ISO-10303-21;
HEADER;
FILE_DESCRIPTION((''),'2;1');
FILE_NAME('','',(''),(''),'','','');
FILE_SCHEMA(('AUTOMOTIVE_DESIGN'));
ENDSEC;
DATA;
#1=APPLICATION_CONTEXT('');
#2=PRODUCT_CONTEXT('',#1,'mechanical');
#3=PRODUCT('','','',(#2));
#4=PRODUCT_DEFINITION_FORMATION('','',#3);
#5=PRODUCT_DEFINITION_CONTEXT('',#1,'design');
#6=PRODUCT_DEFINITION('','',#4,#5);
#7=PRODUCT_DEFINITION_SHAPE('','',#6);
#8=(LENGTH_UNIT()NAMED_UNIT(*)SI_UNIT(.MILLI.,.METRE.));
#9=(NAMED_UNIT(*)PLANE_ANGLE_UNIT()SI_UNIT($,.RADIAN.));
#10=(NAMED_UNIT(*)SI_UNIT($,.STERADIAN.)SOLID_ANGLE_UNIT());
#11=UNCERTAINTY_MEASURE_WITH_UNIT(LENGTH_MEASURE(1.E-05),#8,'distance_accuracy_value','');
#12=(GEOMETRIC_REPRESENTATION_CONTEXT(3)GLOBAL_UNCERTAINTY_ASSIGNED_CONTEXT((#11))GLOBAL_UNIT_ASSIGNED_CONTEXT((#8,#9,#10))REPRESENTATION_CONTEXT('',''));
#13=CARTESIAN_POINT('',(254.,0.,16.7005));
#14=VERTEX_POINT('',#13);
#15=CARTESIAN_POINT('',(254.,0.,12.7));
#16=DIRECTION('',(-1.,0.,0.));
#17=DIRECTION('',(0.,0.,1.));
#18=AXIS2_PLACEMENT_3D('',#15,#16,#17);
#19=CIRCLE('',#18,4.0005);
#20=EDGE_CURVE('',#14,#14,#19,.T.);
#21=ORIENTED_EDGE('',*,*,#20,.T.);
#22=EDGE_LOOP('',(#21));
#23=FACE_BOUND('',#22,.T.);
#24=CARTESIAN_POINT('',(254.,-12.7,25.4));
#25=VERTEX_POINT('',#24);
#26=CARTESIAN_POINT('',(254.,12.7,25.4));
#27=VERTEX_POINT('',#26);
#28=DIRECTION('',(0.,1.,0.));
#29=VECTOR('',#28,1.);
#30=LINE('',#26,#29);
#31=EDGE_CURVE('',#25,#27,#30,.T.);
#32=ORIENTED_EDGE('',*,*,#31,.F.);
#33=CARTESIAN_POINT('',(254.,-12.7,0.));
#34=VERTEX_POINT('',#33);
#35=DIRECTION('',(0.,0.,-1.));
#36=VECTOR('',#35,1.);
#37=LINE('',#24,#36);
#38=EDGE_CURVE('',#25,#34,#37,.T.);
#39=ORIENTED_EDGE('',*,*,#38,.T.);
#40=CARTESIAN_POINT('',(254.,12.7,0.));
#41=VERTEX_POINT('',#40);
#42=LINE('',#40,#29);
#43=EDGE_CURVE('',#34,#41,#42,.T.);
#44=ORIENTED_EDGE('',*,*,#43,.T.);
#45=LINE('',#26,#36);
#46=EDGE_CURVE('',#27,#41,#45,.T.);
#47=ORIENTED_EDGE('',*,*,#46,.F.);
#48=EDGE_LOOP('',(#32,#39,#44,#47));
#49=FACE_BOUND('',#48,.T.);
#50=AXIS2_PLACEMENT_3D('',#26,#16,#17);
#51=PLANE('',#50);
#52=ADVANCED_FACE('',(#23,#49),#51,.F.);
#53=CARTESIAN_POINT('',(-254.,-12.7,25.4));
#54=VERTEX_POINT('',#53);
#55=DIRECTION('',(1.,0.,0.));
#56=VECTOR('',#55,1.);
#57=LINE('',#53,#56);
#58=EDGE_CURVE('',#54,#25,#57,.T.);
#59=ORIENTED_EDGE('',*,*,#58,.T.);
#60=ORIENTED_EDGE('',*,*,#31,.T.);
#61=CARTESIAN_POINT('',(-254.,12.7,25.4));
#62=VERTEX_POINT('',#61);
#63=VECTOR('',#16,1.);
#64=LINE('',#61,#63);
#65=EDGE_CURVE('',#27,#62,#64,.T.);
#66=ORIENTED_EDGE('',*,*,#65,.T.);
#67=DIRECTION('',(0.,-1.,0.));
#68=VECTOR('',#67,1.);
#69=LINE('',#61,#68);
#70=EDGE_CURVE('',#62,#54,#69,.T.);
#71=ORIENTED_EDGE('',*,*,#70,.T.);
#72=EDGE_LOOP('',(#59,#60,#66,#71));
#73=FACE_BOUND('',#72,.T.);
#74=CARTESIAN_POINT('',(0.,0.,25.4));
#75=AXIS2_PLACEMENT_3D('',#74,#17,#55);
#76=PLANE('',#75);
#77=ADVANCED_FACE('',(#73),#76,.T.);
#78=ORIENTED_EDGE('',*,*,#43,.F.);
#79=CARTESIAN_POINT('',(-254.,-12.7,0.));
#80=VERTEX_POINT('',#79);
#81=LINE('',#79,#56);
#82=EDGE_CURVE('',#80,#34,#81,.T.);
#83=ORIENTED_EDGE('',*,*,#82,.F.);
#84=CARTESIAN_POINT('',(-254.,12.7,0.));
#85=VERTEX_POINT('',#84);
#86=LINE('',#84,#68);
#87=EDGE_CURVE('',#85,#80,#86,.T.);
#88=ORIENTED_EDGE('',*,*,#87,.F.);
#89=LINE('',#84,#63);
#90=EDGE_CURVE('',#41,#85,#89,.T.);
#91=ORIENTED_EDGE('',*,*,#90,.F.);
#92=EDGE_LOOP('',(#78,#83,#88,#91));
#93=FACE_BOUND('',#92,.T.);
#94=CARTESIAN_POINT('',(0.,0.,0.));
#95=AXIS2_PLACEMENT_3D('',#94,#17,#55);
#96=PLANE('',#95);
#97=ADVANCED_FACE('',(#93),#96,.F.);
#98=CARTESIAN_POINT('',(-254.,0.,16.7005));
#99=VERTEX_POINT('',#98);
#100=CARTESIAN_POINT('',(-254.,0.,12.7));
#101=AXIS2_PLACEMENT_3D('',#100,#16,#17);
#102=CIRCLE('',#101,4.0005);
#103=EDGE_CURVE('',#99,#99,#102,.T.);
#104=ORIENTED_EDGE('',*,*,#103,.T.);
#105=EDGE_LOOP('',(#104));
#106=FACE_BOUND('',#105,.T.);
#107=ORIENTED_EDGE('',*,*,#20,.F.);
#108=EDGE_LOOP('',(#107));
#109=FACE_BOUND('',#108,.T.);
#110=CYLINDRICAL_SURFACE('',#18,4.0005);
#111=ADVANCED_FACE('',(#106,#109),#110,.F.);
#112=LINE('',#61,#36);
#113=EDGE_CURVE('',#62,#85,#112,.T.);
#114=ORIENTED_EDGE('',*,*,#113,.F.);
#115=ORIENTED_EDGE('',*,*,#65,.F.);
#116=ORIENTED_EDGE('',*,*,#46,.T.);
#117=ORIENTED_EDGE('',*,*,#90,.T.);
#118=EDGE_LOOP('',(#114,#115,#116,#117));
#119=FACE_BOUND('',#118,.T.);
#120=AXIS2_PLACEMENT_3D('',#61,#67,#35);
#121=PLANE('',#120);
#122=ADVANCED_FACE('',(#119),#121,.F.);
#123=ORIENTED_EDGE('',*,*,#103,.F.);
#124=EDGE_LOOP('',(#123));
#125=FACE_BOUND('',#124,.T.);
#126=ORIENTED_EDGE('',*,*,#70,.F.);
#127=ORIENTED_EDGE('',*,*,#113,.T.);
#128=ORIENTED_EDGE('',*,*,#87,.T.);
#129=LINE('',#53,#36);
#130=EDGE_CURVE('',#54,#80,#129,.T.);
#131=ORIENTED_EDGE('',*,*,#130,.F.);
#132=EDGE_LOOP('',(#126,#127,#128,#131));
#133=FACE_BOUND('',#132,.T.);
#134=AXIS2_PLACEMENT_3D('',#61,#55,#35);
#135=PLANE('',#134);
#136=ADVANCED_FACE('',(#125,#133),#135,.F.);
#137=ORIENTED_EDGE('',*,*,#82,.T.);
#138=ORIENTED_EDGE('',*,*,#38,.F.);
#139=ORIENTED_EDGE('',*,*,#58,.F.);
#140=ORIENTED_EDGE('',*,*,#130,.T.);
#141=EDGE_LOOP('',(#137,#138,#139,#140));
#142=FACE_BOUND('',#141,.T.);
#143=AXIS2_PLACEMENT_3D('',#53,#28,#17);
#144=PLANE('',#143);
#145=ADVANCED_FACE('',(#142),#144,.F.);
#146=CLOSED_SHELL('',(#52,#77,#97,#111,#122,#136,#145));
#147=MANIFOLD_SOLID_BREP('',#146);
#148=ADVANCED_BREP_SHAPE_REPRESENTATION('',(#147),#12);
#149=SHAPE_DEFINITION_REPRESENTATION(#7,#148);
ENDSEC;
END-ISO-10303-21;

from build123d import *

# Parameters (mm, degrees)
SKETCH1_W           = 508
SKETCH1_H           = 25.4
BOSS_EXTRUDE1_DEPTH = 25.4
SKETCH2_R           = 4.0005
CUT_EXTRUDE1_DEPTH  = 509.79313085


with BuildPart() as part:
    # Sketch1 → Boss-Extrude1 (new body)
    with BuildSketch(Plane.XY):
        Rectangle(SKETCH1_W, SKETCH1_H)
    extrude(amount=BOSS_EXTRUDE1_DEPTH)

    # Sketch2 → Cut-Extrude1 (cut, through all)
    with BuildSketch(Plane.ZY.offset(254)):
        with Locations((12.7, 0)):
            Circle(SKETCH2_R)
    extrude(amount=-CUT_EXTRUDE1_DEPTH, mode=Mode.SUBTRACT)


solid = part.part
